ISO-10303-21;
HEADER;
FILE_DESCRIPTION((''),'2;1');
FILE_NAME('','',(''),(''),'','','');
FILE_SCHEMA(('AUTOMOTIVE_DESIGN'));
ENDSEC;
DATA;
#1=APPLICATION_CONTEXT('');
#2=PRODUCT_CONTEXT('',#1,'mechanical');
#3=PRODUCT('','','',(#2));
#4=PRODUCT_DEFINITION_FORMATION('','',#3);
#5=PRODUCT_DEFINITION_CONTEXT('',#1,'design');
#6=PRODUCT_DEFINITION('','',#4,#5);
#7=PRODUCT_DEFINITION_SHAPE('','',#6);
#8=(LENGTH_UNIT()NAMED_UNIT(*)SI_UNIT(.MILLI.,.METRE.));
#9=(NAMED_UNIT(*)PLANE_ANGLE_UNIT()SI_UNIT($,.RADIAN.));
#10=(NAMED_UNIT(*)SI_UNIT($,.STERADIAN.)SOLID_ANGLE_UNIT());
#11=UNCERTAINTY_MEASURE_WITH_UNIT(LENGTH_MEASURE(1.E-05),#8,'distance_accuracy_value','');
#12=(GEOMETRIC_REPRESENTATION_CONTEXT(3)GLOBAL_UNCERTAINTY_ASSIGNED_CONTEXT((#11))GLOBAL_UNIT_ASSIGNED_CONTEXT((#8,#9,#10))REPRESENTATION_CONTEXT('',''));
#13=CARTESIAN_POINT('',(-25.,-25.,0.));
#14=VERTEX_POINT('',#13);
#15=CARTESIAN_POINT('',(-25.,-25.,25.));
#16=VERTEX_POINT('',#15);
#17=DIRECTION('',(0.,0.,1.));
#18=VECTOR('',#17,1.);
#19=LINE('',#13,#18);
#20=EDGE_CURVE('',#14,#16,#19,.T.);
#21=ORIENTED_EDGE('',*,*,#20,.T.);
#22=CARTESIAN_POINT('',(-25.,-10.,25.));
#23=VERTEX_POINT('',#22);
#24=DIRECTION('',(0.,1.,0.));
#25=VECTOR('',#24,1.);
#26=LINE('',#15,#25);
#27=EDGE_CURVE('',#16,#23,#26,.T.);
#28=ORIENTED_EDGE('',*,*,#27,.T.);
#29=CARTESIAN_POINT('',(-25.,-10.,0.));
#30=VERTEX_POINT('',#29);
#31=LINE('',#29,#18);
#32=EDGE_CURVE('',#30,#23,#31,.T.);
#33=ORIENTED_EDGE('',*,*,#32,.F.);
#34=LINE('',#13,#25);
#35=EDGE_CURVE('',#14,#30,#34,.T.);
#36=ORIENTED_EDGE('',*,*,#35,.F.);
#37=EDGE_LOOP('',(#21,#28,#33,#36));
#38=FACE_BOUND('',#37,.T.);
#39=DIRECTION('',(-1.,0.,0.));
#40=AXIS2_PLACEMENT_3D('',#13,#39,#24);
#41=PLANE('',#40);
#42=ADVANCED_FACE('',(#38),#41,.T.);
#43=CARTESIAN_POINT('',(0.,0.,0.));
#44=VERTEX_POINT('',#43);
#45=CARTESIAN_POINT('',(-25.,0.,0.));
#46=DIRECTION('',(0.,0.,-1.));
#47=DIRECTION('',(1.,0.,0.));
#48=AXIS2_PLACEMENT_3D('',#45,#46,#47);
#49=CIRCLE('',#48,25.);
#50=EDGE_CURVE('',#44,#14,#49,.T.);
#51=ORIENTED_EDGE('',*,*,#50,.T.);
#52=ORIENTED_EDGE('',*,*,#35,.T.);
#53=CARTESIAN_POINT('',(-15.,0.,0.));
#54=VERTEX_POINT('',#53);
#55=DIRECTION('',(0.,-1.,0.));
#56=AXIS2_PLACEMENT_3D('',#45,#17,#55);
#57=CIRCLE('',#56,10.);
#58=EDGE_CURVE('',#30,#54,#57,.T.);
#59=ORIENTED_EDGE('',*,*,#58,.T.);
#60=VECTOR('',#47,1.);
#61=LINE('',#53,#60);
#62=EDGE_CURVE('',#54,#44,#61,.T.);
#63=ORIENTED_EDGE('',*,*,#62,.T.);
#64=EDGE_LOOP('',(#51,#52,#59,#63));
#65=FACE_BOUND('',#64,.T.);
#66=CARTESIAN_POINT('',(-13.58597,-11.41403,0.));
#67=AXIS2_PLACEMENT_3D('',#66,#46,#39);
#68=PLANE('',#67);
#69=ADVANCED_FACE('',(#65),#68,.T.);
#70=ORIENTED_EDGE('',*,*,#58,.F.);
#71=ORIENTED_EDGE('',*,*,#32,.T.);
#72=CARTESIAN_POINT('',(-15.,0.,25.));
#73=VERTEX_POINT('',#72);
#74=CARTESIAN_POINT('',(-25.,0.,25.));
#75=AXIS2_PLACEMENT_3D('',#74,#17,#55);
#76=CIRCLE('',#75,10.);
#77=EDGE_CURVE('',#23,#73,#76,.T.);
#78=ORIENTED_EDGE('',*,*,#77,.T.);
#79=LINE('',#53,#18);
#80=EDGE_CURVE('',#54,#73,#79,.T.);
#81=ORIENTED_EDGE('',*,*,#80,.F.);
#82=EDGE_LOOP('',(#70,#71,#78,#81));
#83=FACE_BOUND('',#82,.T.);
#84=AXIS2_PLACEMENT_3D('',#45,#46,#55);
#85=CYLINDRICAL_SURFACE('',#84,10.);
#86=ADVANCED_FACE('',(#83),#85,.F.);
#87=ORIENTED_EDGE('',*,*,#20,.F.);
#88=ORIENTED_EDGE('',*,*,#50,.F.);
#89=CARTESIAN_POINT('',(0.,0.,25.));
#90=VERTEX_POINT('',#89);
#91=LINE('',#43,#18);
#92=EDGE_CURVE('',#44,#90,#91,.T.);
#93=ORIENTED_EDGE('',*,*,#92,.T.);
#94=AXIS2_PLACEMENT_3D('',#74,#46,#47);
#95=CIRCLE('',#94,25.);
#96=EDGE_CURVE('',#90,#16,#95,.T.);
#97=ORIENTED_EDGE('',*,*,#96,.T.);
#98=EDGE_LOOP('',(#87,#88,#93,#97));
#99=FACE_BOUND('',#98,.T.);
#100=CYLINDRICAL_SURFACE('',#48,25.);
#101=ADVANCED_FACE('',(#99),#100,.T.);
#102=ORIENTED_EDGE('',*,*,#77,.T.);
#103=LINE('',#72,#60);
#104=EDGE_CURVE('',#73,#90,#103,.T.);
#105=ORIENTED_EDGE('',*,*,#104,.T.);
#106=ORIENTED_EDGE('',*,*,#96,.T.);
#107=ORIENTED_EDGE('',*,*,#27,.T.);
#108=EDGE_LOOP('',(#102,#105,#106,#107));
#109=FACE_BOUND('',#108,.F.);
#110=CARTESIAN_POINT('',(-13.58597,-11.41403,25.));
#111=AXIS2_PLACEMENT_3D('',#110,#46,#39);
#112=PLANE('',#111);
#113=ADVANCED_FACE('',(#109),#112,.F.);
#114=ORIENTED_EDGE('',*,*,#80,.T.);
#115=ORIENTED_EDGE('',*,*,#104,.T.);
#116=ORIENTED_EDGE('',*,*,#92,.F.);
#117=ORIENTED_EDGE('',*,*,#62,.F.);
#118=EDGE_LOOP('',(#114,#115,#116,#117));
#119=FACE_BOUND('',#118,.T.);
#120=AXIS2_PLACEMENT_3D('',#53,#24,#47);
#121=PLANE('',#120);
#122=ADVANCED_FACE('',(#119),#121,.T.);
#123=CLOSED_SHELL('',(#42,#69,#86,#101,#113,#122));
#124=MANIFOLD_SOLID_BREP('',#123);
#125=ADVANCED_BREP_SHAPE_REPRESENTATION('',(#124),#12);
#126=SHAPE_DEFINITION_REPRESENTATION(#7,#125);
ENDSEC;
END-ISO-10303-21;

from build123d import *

# Parameters (mm, degrees)
BOSS_EXTRUDE1_DEPTH = 25


with BuildPart() as part:
    # Sketch1 → Boss-Extrude1 (new body)
    with BuildSketch(Plane.XY):
        with BuildLine():
            Line((-15, 0), (0, 0))
            ThreePointArc((0, 0), (-7.32233047, -17.67766953), (-25, -25))
            Line((-25, -25), (-25, -10))
            ThreePointArc((-25, -10), (-17.928932188, -7.071067812), (-15, 0))
        make_face()
    extrude(amount=BOSS_EXTRUDE1_DEPTH)


solid = part.part
